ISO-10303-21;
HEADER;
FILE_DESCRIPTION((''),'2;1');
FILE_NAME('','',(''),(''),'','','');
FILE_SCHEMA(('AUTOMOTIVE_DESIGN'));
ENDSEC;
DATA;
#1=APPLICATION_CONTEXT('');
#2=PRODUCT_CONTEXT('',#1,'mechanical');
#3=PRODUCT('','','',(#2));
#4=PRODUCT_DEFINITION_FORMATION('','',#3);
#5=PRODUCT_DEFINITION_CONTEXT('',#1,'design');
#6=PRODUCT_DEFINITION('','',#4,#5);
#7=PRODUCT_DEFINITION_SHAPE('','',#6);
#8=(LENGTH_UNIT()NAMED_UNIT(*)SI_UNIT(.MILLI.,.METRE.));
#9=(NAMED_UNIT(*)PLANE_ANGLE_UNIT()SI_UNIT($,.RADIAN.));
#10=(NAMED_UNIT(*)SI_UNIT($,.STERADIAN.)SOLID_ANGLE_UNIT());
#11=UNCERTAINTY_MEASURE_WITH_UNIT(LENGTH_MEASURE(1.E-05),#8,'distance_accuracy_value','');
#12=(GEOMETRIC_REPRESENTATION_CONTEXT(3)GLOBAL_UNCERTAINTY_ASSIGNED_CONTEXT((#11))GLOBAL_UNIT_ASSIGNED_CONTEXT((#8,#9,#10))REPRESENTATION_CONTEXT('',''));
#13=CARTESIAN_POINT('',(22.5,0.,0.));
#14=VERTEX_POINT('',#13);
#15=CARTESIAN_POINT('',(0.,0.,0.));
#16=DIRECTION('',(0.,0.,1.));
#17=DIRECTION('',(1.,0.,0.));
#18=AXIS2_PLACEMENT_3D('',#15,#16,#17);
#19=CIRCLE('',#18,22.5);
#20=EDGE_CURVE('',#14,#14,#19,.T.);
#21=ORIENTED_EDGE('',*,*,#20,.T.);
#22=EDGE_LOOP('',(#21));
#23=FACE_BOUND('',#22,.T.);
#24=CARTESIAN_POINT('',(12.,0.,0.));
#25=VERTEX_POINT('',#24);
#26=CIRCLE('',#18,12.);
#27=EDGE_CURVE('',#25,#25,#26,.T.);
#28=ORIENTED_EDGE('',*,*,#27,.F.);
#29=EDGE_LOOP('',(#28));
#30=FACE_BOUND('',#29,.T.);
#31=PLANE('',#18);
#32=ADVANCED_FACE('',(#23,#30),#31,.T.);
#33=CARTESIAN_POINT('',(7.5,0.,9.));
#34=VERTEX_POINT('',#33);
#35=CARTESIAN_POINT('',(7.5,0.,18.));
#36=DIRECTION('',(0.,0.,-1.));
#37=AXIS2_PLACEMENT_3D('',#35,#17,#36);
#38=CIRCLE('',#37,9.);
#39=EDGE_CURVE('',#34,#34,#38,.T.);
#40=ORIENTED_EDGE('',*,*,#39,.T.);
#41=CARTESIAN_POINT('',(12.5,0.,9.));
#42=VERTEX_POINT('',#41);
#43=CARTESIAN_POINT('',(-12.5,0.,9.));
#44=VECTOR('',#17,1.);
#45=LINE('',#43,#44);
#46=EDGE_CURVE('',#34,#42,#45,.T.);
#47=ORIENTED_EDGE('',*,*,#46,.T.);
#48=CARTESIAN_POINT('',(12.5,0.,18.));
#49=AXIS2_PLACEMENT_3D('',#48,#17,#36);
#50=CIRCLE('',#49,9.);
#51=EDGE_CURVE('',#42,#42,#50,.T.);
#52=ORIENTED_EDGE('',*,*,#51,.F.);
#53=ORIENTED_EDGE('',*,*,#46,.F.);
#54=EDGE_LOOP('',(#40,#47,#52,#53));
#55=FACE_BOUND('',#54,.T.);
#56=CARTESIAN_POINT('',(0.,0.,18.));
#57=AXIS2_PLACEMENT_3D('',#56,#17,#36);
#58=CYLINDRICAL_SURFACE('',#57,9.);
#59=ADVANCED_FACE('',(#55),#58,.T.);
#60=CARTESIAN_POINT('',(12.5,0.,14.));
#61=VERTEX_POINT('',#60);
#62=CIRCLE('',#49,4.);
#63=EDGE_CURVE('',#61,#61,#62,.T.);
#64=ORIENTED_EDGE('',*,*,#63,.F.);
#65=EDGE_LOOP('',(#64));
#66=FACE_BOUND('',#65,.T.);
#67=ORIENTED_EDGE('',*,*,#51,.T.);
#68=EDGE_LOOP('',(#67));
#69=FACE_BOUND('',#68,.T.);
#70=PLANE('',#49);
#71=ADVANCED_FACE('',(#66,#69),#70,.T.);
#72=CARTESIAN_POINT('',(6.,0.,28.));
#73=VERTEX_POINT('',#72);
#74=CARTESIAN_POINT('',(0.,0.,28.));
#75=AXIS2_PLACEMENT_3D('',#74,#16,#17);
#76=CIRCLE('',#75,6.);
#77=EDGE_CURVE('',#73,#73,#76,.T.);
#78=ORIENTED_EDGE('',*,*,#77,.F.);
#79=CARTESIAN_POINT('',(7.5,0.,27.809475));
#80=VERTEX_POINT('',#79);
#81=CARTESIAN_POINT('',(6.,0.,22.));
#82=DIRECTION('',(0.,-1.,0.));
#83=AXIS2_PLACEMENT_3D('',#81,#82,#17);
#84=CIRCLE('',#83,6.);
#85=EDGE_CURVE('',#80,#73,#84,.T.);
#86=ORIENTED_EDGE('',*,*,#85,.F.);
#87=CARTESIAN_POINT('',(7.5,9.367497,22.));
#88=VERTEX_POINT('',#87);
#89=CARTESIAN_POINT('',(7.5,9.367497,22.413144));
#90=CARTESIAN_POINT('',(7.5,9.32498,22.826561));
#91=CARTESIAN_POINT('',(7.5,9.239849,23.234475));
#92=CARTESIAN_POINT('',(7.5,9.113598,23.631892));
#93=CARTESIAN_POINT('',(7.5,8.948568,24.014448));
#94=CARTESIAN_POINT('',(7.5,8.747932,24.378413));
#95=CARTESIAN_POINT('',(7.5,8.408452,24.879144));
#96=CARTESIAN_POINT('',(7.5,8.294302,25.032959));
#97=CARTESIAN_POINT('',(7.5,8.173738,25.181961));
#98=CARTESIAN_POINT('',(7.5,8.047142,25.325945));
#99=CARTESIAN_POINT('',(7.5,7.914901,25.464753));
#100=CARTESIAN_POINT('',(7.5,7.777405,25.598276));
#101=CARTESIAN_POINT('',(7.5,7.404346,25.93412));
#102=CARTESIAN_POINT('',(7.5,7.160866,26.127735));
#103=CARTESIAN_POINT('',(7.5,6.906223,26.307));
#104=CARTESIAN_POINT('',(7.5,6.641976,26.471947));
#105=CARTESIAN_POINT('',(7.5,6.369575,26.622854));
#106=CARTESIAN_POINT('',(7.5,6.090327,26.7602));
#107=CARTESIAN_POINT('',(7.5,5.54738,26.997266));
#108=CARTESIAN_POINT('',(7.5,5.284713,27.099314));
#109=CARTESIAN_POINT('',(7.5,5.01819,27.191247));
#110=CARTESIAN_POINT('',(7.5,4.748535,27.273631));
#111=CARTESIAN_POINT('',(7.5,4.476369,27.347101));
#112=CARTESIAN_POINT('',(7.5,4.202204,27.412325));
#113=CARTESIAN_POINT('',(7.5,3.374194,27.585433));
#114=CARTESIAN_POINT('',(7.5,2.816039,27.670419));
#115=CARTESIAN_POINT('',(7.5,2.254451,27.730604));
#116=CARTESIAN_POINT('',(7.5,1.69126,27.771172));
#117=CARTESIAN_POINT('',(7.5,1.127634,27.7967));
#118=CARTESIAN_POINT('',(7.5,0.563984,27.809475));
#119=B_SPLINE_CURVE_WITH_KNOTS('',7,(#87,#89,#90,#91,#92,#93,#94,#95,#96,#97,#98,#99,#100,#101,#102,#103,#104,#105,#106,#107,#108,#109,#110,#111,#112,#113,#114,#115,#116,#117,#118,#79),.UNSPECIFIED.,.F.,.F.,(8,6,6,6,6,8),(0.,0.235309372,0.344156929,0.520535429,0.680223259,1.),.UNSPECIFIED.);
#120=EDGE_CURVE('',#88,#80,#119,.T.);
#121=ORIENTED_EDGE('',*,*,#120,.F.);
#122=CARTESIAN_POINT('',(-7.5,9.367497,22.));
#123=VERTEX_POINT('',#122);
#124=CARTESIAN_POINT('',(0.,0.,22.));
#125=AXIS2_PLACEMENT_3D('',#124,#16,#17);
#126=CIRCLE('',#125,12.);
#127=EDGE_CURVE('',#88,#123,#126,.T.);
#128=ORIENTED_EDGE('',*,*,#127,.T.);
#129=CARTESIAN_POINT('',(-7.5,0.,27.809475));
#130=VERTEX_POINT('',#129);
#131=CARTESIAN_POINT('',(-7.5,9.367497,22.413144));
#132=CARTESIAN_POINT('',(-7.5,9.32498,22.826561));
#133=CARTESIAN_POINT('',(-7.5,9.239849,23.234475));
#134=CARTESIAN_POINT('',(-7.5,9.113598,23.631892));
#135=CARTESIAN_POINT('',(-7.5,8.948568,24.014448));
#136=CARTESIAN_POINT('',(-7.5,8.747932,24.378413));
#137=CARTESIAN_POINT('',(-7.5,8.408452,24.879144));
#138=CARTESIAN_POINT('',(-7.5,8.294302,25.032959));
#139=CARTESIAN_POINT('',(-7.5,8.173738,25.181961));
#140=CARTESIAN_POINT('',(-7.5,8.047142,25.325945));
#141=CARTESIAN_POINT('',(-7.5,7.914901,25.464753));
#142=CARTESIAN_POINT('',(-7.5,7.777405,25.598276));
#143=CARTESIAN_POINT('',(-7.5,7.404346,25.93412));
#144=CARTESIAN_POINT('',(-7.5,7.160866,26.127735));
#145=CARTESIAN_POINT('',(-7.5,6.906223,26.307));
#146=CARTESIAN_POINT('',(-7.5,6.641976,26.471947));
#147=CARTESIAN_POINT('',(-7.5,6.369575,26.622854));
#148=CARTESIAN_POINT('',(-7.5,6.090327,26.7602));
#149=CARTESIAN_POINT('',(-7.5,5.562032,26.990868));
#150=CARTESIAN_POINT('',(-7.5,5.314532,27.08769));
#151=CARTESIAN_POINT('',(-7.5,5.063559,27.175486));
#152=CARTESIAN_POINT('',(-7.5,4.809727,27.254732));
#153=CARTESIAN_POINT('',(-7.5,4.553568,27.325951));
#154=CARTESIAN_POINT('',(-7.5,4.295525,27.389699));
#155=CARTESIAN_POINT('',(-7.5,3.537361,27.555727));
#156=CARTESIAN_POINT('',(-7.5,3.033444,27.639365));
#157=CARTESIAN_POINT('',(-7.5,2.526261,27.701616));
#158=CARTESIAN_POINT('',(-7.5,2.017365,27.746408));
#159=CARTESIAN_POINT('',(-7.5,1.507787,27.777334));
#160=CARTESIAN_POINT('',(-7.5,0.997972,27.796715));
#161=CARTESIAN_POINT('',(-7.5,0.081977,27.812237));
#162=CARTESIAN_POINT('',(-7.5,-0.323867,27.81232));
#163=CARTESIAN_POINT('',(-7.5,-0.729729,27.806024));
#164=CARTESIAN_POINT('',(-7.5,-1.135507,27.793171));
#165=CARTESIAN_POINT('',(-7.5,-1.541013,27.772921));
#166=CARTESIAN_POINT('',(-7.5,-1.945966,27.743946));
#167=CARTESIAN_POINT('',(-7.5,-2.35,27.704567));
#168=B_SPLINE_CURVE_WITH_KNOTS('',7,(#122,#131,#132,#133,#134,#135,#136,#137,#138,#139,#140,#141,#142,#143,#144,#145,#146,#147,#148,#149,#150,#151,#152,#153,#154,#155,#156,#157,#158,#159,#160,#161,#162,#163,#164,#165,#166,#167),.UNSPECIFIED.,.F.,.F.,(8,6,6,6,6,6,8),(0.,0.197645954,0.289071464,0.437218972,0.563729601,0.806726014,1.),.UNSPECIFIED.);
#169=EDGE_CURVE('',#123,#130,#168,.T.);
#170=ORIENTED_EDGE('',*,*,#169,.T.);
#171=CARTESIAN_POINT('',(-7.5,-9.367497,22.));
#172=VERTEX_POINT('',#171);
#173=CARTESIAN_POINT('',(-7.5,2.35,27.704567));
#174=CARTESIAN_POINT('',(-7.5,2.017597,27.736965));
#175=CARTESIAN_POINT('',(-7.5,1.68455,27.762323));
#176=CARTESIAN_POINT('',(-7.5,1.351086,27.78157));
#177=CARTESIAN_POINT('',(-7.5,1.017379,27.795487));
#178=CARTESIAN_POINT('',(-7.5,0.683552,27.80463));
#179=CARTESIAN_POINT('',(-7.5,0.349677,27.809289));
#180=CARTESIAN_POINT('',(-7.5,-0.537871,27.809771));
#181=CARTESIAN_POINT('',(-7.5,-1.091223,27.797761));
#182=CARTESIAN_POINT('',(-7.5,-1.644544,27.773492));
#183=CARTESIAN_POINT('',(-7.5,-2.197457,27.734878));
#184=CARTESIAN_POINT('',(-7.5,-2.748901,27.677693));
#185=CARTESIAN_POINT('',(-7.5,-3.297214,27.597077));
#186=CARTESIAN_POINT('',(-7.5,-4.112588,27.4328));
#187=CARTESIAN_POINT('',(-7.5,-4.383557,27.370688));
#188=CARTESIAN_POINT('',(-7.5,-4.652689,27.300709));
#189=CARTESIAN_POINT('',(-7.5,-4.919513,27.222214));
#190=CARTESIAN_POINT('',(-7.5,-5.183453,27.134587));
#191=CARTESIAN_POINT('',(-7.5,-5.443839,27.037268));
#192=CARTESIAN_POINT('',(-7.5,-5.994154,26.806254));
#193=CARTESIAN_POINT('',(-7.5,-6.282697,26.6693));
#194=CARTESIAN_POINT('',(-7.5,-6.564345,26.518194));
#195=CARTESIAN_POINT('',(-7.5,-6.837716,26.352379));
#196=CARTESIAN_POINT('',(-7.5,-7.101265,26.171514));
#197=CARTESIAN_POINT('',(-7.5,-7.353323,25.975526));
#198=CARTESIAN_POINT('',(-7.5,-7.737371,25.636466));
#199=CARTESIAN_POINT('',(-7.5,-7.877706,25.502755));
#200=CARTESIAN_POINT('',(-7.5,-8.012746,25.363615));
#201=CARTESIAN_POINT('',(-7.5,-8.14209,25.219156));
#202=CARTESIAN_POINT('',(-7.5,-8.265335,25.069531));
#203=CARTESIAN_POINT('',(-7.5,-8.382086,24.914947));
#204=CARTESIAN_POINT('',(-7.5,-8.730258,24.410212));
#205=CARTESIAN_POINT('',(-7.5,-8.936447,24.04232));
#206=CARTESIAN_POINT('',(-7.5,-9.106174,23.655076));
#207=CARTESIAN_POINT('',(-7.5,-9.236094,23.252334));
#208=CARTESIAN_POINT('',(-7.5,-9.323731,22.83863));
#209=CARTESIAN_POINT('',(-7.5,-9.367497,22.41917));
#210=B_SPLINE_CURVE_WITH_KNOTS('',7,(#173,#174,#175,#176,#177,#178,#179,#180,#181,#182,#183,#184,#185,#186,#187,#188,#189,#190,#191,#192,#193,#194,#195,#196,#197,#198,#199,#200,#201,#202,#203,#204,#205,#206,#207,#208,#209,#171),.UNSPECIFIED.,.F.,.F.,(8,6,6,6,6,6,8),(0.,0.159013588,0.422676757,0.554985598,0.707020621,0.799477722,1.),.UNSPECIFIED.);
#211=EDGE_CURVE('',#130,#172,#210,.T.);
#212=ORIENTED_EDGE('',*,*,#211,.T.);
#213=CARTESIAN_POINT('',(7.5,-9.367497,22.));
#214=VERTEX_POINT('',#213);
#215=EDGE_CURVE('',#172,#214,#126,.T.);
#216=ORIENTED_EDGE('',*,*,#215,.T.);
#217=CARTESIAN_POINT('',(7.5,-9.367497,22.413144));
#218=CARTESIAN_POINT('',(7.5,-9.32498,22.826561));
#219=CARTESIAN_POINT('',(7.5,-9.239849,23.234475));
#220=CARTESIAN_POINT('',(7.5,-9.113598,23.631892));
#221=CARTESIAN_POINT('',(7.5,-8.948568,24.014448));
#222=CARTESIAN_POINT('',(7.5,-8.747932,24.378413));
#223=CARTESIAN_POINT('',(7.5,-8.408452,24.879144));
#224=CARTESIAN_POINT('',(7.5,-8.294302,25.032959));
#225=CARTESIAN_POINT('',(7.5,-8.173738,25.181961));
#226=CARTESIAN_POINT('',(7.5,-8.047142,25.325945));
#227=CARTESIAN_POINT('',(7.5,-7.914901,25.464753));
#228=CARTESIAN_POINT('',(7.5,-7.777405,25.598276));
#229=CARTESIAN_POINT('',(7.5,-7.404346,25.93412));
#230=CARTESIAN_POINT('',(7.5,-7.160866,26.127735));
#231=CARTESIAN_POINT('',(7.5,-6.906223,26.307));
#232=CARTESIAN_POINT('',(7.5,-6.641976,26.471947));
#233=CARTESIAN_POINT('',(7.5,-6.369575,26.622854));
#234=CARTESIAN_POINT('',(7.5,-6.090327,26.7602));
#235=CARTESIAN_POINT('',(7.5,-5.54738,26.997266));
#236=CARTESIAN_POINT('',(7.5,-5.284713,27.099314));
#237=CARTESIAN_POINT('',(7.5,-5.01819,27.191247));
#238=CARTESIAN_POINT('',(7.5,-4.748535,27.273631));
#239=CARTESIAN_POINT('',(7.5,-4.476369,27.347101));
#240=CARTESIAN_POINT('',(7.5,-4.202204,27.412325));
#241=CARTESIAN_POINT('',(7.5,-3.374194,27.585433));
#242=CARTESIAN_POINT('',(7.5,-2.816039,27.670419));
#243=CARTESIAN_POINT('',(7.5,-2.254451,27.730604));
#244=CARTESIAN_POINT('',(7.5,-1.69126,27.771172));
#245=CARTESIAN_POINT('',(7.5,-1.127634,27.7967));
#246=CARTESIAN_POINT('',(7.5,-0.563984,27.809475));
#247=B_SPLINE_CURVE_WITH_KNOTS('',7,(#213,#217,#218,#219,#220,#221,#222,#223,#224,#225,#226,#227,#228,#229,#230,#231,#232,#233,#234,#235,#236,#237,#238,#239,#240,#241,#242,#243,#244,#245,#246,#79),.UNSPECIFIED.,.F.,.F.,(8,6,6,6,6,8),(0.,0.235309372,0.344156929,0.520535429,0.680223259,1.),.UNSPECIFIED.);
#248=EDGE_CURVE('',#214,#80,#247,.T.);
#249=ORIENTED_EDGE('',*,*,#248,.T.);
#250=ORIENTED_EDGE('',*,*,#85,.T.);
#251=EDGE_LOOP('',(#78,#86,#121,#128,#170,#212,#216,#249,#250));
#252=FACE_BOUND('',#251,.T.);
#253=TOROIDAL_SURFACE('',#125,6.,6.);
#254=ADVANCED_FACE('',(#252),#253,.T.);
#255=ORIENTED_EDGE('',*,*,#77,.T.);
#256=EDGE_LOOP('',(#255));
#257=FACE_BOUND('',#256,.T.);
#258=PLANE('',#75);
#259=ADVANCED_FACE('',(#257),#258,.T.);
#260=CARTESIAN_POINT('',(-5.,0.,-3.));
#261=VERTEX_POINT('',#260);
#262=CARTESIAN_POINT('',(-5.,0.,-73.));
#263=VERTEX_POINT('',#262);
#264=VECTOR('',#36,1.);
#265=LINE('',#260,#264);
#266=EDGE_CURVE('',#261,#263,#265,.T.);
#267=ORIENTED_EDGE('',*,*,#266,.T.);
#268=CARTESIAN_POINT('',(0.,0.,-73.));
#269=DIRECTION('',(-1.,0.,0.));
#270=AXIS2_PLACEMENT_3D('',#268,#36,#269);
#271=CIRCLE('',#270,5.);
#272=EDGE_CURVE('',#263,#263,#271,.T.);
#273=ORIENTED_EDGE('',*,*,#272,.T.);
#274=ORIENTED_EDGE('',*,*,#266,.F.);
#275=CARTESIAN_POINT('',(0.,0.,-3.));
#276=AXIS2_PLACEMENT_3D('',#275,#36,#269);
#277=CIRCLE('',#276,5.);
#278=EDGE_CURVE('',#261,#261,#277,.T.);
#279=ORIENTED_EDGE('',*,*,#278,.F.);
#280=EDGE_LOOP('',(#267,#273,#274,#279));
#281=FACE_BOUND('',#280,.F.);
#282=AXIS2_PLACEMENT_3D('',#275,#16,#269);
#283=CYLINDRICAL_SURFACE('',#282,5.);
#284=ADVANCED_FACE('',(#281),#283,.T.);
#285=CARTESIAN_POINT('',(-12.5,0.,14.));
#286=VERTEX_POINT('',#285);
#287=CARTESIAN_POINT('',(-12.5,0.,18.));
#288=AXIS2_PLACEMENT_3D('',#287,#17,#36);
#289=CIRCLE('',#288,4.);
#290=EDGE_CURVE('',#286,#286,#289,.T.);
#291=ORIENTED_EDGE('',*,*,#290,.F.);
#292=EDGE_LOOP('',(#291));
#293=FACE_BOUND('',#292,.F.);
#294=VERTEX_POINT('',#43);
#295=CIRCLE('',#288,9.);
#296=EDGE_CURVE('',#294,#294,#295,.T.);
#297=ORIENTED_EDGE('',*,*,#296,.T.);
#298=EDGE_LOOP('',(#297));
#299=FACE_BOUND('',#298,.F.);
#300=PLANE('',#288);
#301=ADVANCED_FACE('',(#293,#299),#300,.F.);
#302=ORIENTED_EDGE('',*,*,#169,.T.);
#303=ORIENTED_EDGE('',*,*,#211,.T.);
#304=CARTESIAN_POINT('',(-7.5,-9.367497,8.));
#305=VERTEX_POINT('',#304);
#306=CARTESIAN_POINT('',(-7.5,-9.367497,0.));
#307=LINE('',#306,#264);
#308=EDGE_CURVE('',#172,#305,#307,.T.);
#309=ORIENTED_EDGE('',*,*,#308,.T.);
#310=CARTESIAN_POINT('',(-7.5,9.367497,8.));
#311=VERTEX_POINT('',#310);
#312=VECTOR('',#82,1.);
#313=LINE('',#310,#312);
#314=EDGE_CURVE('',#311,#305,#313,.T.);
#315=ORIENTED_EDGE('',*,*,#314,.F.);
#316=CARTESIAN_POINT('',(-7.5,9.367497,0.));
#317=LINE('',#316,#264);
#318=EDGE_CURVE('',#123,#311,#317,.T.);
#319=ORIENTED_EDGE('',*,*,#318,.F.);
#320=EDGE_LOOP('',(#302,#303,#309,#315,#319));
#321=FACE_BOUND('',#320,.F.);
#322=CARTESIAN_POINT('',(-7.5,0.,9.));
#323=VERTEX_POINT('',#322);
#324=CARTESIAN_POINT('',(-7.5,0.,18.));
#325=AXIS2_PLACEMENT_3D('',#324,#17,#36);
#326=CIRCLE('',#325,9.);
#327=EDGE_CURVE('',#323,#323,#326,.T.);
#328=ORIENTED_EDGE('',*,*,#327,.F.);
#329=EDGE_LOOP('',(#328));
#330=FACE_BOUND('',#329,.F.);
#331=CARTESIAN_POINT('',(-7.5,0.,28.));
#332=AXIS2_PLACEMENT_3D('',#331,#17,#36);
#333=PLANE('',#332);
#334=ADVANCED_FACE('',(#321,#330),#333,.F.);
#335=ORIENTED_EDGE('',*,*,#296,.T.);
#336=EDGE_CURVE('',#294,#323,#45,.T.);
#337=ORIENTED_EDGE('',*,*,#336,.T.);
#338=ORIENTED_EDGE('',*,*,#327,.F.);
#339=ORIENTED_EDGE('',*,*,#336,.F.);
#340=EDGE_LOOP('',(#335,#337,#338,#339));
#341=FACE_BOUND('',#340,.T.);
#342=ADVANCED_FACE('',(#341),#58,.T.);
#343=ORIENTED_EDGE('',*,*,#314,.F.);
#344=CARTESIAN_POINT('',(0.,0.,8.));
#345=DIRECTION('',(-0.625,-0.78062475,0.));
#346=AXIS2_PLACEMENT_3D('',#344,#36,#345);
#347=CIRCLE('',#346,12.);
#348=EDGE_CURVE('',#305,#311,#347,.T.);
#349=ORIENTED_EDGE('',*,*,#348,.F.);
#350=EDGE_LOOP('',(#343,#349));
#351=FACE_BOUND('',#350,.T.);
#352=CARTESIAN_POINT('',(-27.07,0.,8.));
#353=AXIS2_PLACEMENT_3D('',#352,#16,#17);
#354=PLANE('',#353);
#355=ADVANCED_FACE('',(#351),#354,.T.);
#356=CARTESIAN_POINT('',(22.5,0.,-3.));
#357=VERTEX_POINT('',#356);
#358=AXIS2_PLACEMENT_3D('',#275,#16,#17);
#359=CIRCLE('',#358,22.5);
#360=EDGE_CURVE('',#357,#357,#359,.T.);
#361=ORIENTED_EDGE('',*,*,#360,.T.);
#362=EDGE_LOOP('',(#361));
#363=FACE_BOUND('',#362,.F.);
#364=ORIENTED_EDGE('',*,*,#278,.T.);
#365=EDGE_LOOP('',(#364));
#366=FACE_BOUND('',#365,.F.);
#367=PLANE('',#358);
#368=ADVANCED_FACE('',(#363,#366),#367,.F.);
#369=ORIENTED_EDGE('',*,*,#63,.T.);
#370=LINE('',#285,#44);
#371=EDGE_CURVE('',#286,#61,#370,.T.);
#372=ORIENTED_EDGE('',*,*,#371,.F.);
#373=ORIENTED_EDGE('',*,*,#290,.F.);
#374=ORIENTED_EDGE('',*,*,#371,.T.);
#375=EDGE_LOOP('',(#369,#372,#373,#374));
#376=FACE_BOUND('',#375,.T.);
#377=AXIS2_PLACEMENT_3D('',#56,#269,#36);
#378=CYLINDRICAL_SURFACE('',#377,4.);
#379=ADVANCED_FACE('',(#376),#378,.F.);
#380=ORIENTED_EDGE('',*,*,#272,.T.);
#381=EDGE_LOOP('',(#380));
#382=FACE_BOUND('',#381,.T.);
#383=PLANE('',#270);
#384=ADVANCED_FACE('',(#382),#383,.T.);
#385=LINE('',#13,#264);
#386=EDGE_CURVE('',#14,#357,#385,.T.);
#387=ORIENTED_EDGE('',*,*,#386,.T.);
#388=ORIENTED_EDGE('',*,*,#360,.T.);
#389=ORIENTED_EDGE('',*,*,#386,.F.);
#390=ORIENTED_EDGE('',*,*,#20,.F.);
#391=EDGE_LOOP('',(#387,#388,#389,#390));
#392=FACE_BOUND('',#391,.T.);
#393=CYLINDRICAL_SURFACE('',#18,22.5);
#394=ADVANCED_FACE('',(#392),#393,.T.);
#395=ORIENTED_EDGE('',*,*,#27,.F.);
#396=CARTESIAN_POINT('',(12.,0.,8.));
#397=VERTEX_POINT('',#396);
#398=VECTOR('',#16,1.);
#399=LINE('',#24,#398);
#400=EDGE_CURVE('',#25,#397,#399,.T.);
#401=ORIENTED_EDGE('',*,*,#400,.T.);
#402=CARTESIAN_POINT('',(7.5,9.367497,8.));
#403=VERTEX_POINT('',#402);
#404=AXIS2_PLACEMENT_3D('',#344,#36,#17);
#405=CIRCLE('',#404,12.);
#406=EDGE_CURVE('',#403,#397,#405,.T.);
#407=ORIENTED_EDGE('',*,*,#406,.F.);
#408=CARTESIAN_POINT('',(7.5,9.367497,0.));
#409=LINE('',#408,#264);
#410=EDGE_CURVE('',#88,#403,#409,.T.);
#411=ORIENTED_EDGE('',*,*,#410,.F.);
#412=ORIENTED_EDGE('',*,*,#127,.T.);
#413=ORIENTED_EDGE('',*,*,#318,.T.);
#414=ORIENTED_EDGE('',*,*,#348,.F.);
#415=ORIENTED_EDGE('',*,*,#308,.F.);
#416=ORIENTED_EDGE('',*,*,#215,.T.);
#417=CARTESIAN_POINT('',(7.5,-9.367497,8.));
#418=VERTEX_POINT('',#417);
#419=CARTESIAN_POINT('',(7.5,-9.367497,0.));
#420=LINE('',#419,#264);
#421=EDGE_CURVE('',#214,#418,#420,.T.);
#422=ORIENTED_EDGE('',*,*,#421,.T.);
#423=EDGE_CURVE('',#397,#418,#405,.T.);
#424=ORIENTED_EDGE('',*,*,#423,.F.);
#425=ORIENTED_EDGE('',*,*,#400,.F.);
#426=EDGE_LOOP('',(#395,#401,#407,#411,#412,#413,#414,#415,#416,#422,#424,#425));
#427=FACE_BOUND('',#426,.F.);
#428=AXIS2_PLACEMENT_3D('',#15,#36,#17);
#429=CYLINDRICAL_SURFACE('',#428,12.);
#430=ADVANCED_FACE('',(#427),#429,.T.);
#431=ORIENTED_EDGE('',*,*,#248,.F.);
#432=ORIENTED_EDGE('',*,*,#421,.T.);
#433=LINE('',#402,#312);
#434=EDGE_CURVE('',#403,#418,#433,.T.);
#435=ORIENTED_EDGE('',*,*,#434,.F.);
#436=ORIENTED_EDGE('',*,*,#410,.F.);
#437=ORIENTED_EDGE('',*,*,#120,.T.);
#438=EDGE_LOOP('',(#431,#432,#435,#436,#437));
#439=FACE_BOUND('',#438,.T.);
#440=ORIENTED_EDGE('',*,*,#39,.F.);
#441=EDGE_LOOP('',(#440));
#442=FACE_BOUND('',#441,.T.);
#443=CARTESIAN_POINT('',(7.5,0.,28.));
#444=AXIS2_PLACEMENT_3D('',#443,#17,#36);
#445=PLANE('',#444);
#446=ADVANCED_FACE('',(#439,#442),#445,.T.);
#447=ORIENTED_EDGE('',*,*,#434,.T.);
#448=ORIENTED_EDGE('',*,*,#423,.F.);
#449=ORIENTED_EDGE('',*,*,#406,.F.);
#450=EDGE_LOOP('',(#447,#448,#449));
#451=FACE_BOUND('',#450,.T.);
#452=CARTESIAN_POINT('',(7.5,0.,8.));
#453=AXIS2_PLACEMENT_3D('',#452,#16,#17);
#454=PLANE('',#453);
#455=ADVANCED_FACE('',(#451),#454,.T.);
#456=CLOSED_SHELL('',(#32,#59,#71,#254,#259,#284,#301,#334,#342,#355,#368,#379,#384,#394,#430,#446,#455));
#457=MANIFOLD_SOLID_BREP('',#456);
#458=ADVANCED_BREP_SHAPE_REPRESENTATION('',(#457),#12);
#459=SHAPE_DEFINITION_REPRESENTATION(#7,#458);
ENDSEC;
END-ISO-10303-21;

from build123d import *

# Parameters (mm, degrees)
SKETCH1_R               = 22.5
BOSS_EXTRUDE1_DEPTH     = 3
SKETCH2_R               = 5
BOSS_EXTRUDE2_DEPTH     = 70
SKETCH3_R               = 12
BOSS_EXTRUDE3_DEPTH     = 28
FILLET1_R               = 6
SKETCH4_W               = 19.57
SKETCH4_H               = 20
CUT_EXTRUDE1_DEPTH      = 23.5
CUT_EXTRUDE1_DEPTH_BACK = 23.5
SKETCH5_R               = 4
CUT_EXTRUDE2_DEPTH      = 16
CUT_EXTRUDE2_DEPTH_BACK = 31
SKETCH6_R               = 9
SKETCH6_R_2             = 4
BOSS_EXTRUDE4_DEPTH     = 12.5


with BuildPart() as part:
    # Sketch1 → Boss-Extrude1 (new body)
    with BuildSketch(Plane.XY):
        Circle(SKETCH1_R)
    extrude(amount=-BOSS_EXTRUDE1_DEPTH)

    # Sketch2 → Boss-Extrude2 (add)
    with BuildSketch(Plane(origin=(0, 0, -3), x_dir=(-1, 0, 0), z_dir=(0, 0, -1))):
        Circle(SKETCH2_R)
    extrude(amount=BOSS_EXTRUDE2_DEPTH)

    # Sketch3 → Boss-Extrude3 (add)
    with BuildSketch(Plane.XY):
        Circle(SKETCH3_R)
    extrude(amount=BOSS_EXTRUDE3_DEPTH)

    # Fillet1
    fillet1_edges = [part.edges().sort_by_distance(p)[0] for p in [
        (-12, 0, 28),
    ]]
    fillet(fillet1_edges, radius=FILLET1_R)

    # Sketch4 → Cut-Extrude1 (cut, two sides)
    with BuildSketch(Plane(origin=(0, 0, 0), x_dir=(1, 0, 0), z_dir=(0, 1, 0))) as cut_extrude1_sk:
        with Locations((17.285, -18)):
            Rectangle(SKETCH4_W, SKETCH4_H)
        with Locations((-17.285, -18)):
            Rectangle(SKETCH4_W, SKETCH4_H)
    extrude(amount=CUT_EXTRUDE1_DEPTH, mode=Mode.SUBTRACT)
    extrude(cut_extrude1_sk.sketch, amount=-CUT_EXTRUDE1_DEPTH_BACK, mode=Mode.SUBTRACT)

    # Sketch5 → Cut-Extrude2 (cut, two sides)
    with BuildSketch(Plane(origin=(7.5, 0, 0), x_dir=(0, 0, -1), z_dir=(1, 0, 0))) as cut_extrude2_sk:
        with Locations((-18, 0)):
            Circle(SKETCH5_R)
    extrude(amount=CUT_EXTRUDE2_DEPTH, mode=Mode.SUBTRACT)
    extrude(cut_extrude2_sk.sketch, amount=-CUT_EXTRUDE2_DEPTH_BACK, mode=Mode.SUBTRACT)

    # Sketch6 → Boss-Extrude4 (add, symmetric)
    with BuildSketch(Plane(origin=(0, 0, 0), x_dir=(0, 0, -1), z_dir=(1, 0, 0))):
        with Locations((-18, 0)):
            Circle(SKETCH6_R)
        with Locations((-18, 0)):
            Circle(SKETCH6_R_2, mode=Mode.SUBTRACT)
    extrude(amount=BOSS_EXTRUDE4_DEPTH, both=True)


solid = part.part
